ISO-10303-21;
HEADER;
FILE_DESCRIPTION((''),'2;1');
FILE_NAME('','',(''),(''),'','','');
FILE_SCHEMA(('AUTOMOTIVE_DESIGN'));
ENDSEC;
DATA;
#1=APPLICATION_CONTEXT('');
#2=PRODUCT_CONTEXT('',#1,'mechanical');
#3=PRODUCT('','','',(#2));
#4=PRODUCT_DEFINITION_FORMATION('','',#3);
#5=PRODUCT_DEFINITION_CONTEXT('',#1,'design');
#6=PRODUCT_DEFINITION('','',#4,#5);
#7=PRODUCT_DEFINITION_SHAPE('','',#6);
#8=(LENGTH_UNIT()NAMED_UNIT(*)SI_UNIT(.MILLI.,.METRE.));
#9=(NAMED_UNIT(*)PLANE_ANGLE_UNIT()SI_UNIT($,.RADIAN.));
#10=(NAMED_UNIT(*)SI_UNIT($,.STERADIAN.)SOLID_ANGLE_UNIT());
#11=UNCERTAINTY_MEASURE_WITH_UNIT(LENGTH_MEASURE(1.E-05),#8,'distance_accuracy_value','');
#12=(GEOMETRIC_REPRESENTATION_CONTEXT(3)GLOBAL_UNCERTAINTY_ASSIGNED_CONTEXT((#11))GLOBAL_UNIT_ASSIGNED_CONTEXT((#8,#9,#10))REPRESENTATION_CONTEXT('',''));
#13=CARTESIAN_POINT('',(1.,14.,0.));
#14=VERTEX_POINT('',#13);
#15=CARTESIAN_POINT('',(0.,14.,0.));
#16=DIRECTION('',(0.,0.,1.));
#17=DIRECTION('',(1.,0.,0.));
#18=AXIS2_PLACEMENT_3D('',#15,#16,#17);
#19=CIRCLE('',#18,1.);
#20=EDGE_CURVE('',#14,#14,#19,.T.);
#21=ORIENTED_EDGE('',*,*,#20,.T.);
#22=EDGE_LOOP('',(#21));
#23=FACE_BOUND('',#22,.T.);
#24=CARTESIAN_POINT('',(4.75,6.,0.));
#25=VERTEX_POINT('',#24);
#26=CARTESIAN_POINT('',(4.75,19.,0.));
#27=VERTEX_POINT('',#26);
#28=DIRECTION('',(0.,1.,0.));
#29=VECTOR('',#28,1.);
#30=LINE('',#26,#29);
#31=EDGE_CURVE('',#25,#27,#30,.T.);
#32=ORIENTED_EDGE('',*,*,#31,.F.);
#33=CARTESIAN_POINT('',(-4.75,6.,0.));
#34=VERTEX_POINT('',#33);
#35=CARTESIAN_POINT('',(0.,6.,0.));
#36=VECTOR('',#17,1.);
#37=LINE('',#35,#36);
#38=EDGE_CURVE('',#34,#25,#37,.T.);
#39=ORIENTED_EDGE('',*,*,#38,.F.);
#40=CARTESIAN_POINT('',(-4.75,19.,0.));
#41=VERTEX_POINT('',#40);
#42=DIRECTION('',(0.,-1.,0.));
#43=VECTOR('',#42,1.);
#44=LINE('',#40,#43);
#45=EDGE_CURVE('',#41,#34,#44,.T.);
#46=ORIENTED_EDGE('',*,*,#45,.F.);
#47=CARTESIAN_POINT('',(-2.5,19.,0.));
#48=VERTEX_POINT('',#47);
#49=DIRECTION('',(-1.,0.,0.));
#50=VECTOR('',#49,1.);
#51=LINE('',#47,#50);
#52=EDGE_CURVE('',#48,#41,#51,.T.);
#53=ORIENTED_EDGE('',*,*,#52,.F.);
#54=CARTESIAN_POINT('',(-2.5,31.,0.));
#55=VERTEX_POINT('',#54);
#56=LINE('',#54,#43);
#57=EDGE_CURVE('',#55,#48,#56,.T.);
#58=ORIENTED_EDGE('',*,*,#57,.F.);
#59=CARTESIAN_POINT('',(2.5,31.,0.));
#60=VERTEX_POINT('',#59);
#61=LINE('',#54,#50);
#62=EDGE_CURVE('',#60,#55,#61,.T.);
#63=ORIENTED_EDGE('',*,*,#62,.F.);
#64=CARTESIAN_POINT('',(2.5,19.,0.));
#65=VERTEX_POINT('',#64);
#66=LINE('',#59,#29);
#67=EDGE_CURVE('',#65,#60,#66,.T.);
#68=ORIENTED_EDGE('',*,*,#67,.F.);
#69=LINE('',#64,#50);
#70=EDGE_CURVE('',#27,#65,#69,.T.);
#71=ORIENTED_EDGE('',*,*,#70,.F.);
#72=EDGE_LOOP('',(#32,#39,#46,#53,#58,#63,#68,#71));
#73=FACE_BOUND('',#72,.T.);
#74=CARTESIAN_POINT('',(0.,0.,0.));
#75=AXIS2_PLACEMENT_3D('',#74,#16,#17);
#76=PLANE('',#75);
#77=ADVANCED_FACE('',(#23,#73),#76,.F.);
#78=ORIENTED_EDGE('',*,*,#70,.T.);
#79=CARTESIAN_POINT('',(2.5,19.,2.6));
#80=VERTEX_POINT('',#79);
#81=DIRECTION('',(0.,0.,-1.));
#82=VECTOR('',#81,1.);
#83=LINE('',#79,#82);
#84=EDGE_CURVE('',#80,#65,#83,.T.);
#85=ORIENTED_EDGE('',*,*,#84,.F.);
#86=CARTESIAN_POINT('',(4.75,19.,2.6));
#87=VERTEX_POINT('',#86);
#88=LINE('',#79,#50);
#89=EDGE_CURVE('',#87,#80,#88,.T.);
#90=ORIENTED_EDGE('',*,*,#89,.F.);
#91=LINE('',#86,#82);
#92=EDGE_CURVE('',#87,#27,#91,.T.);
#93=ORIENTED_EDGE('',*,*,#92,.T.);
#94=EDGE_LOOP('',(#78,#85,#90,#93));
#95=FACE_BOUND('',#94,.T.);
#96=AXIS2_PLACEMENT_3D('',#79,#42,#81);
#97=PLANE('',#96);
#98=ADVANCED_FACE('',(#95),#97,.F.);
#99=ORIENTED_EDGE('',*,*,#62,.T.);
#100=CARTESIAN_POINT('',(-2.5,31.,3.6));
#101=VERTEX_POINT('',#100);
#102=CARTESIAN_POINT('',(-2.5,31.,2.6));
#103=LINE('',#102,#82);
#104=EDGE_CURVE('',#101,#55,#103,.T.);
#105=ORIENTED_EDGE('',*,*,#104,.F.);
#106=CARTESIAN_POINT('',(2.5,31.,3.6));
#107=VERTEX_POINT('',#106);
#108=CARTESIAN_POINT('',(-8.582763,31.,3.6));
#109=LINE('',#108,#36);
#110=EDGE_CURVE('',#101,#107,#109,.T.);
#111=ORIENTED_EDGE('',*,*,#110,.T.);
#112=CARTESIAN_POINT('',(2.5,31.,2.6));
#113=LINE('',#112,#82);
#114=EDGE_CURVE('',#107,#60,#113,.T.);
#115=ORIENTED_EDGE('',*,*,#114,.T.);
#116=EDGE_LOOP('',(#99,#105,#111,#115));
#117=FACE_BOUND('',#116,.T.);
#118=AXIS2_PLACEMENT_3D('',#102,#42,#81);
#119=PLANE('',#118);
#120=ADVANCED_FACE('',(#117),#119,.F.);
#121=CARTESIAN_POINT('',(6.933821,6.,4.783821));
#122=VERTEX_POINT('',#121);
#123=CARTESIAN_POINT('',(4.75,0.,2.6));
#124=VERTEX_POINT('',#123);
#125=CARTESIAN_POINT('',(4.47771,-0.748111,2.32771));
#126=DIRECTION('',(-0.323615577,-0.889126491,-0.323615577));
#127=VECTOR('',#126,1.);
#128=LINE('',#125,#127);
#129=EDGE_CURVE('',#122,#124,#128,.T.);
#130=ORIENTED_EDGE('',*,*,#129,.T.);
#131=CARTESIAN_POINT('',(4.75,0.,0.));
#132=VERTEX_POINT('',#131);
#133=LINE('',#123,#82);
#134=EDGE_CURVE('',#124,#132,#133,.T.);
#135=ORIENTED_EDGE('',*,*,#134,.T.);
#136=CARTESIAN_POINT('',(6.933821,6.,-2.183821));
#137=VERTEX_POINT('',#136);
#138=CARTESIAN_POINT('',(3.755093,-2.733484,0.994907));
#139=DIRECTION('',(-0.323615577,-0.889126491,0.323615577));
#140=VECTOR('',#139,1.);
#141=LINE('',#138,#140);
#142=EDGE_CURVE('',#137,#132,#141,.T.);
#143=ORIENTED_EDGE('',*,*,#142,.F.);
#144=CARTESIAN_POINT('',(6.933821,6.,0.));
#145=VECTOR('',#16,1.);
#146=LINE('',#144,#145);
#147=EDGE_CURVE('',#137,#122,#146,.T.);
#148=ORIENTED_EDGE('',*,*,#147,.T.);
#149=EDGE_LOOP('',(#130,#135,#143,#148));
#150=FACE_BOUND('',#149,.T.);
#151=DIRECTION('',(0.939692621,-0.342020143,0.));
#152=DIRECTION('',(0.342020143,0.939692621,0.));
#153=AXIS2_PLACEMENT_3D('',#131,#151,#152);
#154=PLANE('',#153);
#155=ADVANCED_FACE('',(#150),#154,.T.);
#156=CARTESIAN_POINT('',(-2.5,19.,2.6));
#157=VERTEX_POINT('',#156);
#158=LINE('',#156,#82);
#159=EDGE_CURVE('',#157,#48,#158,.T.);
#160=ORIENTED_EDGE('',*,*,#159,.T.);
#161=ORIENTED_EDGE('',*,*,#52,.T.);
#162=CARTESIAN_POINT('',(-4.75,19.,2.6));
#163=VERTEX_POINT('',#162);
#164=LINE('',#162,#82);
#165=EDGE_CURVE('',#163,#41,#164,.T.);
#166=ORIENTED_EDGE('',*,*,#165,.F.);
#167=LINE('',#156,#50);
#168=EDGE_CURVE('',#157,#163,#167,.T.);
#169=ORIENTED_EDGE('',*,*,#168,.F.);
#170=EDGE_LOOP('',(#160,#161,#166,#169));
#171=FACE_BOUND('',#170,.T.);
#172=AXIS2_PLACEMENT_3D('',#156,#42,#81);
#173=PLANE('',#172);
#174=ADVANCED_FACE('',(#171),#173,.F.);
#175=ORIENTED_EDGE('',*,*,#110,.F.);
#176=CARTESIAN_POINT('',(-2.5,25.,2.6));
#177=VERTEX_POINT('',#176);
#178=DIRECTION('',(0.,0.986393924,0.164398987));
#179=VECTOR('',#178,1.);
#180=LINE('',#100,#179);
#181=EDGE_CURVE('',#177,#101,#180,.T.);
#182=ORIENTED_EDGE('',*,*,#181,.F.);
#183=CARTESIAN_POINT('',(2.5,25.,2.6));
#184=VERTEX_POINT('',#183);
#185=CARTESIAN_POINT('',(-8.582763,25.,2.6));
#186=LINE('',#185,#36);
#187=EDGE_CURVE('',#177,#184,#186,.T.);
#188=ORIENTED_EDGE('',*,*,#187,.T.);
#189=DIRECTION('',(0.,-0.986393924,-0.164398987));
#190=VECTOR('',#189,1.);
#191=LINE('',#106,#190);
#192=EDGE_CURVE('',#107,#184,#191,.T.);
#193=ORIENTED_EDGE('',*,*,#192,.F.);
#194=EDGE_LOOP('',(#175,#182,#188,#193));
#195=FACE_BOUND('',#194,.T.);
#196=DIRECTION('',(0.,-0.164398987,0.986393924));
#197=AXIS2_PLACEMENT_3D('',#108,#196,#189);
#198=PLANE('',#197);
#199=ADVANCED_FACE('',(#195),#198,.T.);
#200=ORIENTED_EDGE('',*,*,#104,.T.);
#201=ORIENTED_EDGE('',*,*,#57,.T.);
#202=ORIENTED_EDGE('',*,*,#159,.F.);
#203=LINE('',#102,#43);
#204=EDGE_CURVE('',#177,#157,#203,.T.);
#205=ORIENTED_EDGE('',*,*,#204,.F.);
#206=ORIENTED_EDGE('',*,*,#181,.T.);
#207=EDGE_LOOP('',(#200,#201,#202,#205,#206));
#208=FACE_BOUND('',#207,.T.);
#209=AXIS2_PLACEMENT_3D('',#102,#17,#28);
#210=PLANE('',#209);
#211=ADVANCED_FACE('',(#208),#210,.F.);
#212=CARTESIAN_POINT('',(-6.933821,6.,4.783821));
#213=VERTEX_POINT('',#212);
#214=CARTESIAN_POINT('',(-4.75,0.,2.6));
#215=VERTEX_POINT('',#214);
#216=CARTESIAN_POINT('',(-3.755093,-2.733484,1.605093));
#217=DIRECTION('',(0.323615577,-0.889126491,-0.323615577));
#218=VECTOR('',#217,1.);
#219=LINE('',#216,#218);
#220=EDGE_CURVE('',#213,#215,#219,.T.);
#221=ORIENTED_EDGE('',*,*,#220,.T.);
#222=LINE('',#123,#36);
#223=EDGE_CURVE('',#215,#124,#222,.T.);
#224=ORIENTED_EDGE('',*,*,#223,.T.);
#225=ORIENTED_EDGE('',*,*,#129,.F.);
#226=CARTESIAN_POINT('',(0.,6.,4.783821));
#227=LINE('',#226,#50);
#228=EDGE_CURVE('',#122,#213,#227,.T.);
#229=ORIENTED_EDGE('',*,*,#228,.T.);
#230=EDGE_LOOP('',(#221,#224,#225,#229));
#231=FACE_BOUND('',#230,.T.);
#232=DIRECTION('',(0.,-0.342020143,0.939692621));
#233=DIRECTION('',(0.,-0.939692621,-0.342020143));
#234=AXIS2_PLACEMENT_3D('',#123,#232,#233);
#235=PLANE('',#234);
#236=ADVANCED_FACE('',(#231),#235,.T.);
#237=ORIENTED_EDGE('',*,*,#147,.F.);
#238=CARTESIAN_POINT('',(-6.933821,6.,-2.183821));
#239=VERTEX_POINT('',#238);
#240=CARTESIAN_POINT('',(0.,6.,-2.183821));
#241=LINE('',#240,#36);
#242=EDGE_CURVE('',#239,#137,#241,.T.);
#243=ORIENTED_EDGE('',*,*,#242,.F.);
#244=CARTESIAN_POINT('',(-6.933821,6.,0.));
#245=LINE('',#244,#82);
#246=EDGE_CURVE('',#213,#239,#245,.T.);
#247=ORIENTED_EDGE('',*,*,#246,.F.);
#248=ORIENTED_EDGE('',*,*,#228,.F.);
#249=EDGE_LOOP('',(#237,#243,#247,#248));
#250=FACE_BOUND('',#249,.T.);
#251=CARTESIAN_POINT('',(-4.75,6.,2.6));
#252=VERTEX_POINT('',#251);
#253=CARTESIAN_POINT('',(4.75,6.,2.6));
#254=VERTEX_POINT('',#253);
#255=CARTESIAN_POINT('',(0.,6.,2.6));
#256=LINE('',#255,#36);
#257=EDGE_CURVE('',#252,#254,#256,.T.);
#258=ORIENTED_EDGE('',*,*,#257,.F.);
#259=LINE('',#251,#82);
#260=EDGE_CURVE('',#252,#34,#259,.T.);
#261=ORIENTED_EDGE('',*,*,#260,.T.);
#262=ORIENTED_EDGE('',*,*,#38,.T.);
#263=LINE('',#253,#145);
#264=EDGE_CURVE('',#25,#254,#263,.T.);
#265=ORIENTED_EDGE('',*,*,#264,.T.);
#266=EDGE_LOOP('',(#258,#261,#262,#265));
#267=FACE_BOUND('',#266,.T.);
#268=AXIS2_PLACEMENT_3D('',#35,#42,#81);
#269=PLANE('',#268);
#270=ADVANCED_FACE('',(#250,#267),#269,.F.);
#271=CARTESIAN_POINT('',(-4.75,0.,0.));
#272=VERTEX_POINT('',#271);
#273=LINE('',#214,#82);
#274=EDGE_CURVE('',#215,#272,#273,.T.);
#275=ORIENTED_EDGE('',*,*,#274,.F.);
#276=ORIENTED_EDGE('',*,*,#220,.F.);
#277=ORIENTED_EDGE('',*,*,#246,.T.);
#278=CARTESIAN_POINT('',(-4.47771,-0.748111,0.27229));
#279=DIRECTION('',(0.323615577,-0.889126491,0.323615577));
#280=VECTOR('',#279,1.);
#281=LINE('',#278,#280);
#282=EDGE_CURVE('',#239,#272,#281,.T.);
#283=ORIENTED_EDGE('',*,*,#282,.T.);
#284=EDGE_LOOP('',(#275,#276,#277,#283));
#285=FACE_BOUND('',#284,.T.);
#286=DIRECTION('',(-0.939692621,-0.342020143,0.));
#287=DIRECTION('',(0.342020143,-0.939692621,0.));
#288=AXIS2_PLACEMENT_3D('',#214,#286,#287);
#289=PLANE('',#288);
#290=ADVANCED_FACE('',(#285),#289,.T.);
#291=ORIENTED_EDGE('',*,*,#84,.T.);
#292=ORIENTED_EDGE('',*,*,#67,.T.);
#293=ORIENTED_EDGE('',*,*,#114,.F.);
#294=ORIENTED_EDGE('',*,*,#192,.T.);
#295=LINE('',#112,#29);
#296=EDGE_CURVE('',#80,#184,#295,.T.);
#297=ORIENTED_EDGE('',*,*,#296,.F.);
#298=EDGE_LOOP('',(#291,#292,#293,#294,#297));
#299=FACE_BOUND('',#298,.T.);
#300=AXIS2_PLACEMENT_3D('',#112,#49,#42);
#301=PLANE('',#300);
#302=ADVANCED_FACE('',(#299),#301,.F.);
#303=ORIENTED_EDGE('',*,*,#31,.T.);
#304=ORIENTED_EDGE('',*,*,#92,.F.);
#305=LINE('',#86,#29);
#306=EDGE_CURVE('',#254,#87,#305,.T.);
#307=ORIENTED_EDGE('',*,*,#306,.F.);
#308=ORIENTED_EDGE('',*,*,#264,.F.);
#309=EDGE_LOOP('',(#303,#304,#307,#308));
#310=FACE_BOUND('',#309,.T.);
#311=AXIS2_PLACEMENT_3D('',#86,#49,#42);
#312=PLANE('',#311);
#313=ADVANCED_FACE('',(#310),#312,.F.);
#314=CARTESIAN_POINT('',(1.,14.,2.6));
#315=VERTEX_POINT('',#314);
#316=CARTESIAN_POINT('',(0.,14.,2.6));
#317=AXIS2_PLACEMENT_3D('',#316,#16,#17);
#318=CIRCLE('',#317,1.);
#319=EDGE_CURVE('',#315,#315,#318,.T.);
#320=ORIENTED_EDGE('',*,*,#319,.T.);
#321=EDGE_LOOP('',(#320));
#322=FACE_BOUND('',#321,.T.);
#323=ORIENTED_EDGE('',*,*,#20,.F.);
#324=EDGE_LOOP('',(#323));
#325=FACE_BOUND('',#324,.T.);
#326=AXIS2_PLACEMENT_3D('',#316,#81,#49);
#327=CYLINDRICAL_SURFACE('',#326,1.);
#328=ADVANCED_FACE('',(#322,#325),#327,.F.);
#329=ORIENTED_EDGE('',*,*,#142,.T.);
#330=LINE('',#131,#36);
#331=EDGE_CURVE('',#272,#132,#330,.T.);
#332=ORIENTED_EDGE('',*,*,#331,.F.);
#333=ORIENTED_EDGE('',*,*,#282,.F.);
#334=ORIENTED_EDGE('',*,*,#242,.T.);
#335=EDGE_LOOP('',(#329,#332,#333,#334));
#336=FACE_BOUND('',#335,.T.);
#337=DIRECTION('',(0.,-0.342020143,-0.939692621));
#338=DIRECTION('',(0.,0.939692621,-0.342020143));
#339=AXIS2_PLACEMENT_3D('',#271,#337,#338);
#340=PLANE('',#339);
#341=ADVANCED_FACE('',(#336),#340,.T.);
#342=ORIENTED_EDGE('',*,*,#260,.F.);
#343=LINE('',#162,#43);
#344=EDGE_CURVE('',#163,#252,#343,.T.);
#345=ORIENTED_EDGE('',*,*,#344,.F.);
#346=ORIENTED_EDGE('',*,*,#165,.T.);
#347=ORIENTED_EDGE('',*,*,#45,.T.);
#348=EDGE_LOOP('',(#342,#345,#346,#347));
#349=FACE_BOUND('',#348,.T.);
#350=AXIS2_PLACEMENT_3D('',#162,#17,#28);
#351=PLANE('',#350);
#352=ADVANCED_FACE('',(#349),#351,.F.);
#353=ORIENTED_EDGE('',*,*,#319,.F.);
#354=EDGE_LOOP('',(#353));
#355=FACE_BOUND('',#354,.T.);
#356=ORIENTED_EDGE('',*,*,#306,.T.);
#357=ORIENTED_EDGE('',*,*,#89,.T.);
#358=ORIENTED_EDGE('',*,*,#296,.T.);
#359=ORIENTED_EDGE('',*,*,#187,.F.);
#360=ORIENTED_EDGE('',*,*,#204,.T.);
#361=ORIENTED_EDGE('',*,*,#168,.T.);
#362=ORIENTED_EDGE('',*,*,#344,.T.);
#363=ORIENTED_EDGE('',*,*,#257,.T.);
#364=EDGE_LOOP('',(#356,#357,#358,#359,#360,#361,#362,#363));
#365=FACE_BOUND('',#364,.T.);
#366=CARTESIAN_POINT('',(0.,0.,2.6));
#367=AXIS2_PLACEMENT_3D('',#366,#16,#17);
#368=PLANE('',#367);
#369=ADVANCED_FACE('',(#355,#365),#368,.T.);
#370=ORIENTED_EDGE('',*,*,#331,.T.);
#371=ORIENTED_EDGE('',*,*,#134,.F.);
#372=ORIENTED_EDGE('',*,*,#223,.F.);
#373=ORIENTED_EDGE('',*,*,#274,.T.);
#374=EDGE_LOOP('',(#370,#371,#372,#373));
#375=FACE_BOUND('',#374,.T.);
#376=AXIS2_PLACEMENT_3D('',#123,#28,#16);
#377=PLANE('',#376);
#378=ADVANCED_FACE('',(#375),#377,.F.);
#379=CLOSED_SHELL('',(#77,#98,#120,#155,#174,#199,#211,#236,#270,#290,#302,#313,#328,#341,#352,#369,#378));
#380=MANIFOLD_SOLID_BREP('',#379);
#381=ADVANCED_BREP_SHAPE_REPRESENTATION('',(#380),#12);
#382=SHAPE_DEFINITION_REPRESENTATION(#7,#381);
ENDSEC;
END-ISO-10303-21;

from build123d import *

# Parameters (mm, degrees)
ESBO_O1_R                = 1
RESSALTO_EXTRUS_O1_DEPTH = 2.6
ESBO_O2_W                = 9.5
ESBO_O2_H                = 2.6
RESSALTO_EXTRUS_O2_DEPTH = 6
RESSALTO_EXTRUS_O2_TAPER = -20
RESSALTO_EXTRUS_O3_DEPTH = 5


with BuildPart() as part:
    # Esboço1 → Ressalto-extrusão1 (new body)
    with BuildSketch(Plane.XY):
        Polygon((-2.5, 31), (2.5, 31), (2.5, 19), (4.75, 19), (4.75, 0), (-4.75, 0), (-4.75, 19), (-2.5, 19), align=None)
        with Locations((0, 14)):
            Circle(ESBO_O1_R, mode=Mode.SUBTRACT)
    extrude(amount=RESSALTO_EXTRUS_O1_DEPTH)

    # Esboço2 → Ressalto-extrusão2 (add)
    with BuildSketch(Plane.XZ):
        with Locations((0, 1.3)):
            Rectangle(ESBO_O2_W, ESBO_O2_H)
    extrude(amount=-RESSALTO_EXTRUS_O2_DEPTH, taper=RESSALTO_EXTRUS_O2_TAPER)

    # Esboço3 → Ressalto-extrusão3 (add)
    with BuildSketch(Plane(origin=(2.5, 0, 0), x_dir=(0, 0, -1), z_dir=(1, 0, 0))):
        Polygon((-2.6, 31), (-3.6, 31), (-2.6, 25), align=None)
    extrude(amount=-RESSALTO_EXTRUS_O3_DEPTH)


solid = part.part
